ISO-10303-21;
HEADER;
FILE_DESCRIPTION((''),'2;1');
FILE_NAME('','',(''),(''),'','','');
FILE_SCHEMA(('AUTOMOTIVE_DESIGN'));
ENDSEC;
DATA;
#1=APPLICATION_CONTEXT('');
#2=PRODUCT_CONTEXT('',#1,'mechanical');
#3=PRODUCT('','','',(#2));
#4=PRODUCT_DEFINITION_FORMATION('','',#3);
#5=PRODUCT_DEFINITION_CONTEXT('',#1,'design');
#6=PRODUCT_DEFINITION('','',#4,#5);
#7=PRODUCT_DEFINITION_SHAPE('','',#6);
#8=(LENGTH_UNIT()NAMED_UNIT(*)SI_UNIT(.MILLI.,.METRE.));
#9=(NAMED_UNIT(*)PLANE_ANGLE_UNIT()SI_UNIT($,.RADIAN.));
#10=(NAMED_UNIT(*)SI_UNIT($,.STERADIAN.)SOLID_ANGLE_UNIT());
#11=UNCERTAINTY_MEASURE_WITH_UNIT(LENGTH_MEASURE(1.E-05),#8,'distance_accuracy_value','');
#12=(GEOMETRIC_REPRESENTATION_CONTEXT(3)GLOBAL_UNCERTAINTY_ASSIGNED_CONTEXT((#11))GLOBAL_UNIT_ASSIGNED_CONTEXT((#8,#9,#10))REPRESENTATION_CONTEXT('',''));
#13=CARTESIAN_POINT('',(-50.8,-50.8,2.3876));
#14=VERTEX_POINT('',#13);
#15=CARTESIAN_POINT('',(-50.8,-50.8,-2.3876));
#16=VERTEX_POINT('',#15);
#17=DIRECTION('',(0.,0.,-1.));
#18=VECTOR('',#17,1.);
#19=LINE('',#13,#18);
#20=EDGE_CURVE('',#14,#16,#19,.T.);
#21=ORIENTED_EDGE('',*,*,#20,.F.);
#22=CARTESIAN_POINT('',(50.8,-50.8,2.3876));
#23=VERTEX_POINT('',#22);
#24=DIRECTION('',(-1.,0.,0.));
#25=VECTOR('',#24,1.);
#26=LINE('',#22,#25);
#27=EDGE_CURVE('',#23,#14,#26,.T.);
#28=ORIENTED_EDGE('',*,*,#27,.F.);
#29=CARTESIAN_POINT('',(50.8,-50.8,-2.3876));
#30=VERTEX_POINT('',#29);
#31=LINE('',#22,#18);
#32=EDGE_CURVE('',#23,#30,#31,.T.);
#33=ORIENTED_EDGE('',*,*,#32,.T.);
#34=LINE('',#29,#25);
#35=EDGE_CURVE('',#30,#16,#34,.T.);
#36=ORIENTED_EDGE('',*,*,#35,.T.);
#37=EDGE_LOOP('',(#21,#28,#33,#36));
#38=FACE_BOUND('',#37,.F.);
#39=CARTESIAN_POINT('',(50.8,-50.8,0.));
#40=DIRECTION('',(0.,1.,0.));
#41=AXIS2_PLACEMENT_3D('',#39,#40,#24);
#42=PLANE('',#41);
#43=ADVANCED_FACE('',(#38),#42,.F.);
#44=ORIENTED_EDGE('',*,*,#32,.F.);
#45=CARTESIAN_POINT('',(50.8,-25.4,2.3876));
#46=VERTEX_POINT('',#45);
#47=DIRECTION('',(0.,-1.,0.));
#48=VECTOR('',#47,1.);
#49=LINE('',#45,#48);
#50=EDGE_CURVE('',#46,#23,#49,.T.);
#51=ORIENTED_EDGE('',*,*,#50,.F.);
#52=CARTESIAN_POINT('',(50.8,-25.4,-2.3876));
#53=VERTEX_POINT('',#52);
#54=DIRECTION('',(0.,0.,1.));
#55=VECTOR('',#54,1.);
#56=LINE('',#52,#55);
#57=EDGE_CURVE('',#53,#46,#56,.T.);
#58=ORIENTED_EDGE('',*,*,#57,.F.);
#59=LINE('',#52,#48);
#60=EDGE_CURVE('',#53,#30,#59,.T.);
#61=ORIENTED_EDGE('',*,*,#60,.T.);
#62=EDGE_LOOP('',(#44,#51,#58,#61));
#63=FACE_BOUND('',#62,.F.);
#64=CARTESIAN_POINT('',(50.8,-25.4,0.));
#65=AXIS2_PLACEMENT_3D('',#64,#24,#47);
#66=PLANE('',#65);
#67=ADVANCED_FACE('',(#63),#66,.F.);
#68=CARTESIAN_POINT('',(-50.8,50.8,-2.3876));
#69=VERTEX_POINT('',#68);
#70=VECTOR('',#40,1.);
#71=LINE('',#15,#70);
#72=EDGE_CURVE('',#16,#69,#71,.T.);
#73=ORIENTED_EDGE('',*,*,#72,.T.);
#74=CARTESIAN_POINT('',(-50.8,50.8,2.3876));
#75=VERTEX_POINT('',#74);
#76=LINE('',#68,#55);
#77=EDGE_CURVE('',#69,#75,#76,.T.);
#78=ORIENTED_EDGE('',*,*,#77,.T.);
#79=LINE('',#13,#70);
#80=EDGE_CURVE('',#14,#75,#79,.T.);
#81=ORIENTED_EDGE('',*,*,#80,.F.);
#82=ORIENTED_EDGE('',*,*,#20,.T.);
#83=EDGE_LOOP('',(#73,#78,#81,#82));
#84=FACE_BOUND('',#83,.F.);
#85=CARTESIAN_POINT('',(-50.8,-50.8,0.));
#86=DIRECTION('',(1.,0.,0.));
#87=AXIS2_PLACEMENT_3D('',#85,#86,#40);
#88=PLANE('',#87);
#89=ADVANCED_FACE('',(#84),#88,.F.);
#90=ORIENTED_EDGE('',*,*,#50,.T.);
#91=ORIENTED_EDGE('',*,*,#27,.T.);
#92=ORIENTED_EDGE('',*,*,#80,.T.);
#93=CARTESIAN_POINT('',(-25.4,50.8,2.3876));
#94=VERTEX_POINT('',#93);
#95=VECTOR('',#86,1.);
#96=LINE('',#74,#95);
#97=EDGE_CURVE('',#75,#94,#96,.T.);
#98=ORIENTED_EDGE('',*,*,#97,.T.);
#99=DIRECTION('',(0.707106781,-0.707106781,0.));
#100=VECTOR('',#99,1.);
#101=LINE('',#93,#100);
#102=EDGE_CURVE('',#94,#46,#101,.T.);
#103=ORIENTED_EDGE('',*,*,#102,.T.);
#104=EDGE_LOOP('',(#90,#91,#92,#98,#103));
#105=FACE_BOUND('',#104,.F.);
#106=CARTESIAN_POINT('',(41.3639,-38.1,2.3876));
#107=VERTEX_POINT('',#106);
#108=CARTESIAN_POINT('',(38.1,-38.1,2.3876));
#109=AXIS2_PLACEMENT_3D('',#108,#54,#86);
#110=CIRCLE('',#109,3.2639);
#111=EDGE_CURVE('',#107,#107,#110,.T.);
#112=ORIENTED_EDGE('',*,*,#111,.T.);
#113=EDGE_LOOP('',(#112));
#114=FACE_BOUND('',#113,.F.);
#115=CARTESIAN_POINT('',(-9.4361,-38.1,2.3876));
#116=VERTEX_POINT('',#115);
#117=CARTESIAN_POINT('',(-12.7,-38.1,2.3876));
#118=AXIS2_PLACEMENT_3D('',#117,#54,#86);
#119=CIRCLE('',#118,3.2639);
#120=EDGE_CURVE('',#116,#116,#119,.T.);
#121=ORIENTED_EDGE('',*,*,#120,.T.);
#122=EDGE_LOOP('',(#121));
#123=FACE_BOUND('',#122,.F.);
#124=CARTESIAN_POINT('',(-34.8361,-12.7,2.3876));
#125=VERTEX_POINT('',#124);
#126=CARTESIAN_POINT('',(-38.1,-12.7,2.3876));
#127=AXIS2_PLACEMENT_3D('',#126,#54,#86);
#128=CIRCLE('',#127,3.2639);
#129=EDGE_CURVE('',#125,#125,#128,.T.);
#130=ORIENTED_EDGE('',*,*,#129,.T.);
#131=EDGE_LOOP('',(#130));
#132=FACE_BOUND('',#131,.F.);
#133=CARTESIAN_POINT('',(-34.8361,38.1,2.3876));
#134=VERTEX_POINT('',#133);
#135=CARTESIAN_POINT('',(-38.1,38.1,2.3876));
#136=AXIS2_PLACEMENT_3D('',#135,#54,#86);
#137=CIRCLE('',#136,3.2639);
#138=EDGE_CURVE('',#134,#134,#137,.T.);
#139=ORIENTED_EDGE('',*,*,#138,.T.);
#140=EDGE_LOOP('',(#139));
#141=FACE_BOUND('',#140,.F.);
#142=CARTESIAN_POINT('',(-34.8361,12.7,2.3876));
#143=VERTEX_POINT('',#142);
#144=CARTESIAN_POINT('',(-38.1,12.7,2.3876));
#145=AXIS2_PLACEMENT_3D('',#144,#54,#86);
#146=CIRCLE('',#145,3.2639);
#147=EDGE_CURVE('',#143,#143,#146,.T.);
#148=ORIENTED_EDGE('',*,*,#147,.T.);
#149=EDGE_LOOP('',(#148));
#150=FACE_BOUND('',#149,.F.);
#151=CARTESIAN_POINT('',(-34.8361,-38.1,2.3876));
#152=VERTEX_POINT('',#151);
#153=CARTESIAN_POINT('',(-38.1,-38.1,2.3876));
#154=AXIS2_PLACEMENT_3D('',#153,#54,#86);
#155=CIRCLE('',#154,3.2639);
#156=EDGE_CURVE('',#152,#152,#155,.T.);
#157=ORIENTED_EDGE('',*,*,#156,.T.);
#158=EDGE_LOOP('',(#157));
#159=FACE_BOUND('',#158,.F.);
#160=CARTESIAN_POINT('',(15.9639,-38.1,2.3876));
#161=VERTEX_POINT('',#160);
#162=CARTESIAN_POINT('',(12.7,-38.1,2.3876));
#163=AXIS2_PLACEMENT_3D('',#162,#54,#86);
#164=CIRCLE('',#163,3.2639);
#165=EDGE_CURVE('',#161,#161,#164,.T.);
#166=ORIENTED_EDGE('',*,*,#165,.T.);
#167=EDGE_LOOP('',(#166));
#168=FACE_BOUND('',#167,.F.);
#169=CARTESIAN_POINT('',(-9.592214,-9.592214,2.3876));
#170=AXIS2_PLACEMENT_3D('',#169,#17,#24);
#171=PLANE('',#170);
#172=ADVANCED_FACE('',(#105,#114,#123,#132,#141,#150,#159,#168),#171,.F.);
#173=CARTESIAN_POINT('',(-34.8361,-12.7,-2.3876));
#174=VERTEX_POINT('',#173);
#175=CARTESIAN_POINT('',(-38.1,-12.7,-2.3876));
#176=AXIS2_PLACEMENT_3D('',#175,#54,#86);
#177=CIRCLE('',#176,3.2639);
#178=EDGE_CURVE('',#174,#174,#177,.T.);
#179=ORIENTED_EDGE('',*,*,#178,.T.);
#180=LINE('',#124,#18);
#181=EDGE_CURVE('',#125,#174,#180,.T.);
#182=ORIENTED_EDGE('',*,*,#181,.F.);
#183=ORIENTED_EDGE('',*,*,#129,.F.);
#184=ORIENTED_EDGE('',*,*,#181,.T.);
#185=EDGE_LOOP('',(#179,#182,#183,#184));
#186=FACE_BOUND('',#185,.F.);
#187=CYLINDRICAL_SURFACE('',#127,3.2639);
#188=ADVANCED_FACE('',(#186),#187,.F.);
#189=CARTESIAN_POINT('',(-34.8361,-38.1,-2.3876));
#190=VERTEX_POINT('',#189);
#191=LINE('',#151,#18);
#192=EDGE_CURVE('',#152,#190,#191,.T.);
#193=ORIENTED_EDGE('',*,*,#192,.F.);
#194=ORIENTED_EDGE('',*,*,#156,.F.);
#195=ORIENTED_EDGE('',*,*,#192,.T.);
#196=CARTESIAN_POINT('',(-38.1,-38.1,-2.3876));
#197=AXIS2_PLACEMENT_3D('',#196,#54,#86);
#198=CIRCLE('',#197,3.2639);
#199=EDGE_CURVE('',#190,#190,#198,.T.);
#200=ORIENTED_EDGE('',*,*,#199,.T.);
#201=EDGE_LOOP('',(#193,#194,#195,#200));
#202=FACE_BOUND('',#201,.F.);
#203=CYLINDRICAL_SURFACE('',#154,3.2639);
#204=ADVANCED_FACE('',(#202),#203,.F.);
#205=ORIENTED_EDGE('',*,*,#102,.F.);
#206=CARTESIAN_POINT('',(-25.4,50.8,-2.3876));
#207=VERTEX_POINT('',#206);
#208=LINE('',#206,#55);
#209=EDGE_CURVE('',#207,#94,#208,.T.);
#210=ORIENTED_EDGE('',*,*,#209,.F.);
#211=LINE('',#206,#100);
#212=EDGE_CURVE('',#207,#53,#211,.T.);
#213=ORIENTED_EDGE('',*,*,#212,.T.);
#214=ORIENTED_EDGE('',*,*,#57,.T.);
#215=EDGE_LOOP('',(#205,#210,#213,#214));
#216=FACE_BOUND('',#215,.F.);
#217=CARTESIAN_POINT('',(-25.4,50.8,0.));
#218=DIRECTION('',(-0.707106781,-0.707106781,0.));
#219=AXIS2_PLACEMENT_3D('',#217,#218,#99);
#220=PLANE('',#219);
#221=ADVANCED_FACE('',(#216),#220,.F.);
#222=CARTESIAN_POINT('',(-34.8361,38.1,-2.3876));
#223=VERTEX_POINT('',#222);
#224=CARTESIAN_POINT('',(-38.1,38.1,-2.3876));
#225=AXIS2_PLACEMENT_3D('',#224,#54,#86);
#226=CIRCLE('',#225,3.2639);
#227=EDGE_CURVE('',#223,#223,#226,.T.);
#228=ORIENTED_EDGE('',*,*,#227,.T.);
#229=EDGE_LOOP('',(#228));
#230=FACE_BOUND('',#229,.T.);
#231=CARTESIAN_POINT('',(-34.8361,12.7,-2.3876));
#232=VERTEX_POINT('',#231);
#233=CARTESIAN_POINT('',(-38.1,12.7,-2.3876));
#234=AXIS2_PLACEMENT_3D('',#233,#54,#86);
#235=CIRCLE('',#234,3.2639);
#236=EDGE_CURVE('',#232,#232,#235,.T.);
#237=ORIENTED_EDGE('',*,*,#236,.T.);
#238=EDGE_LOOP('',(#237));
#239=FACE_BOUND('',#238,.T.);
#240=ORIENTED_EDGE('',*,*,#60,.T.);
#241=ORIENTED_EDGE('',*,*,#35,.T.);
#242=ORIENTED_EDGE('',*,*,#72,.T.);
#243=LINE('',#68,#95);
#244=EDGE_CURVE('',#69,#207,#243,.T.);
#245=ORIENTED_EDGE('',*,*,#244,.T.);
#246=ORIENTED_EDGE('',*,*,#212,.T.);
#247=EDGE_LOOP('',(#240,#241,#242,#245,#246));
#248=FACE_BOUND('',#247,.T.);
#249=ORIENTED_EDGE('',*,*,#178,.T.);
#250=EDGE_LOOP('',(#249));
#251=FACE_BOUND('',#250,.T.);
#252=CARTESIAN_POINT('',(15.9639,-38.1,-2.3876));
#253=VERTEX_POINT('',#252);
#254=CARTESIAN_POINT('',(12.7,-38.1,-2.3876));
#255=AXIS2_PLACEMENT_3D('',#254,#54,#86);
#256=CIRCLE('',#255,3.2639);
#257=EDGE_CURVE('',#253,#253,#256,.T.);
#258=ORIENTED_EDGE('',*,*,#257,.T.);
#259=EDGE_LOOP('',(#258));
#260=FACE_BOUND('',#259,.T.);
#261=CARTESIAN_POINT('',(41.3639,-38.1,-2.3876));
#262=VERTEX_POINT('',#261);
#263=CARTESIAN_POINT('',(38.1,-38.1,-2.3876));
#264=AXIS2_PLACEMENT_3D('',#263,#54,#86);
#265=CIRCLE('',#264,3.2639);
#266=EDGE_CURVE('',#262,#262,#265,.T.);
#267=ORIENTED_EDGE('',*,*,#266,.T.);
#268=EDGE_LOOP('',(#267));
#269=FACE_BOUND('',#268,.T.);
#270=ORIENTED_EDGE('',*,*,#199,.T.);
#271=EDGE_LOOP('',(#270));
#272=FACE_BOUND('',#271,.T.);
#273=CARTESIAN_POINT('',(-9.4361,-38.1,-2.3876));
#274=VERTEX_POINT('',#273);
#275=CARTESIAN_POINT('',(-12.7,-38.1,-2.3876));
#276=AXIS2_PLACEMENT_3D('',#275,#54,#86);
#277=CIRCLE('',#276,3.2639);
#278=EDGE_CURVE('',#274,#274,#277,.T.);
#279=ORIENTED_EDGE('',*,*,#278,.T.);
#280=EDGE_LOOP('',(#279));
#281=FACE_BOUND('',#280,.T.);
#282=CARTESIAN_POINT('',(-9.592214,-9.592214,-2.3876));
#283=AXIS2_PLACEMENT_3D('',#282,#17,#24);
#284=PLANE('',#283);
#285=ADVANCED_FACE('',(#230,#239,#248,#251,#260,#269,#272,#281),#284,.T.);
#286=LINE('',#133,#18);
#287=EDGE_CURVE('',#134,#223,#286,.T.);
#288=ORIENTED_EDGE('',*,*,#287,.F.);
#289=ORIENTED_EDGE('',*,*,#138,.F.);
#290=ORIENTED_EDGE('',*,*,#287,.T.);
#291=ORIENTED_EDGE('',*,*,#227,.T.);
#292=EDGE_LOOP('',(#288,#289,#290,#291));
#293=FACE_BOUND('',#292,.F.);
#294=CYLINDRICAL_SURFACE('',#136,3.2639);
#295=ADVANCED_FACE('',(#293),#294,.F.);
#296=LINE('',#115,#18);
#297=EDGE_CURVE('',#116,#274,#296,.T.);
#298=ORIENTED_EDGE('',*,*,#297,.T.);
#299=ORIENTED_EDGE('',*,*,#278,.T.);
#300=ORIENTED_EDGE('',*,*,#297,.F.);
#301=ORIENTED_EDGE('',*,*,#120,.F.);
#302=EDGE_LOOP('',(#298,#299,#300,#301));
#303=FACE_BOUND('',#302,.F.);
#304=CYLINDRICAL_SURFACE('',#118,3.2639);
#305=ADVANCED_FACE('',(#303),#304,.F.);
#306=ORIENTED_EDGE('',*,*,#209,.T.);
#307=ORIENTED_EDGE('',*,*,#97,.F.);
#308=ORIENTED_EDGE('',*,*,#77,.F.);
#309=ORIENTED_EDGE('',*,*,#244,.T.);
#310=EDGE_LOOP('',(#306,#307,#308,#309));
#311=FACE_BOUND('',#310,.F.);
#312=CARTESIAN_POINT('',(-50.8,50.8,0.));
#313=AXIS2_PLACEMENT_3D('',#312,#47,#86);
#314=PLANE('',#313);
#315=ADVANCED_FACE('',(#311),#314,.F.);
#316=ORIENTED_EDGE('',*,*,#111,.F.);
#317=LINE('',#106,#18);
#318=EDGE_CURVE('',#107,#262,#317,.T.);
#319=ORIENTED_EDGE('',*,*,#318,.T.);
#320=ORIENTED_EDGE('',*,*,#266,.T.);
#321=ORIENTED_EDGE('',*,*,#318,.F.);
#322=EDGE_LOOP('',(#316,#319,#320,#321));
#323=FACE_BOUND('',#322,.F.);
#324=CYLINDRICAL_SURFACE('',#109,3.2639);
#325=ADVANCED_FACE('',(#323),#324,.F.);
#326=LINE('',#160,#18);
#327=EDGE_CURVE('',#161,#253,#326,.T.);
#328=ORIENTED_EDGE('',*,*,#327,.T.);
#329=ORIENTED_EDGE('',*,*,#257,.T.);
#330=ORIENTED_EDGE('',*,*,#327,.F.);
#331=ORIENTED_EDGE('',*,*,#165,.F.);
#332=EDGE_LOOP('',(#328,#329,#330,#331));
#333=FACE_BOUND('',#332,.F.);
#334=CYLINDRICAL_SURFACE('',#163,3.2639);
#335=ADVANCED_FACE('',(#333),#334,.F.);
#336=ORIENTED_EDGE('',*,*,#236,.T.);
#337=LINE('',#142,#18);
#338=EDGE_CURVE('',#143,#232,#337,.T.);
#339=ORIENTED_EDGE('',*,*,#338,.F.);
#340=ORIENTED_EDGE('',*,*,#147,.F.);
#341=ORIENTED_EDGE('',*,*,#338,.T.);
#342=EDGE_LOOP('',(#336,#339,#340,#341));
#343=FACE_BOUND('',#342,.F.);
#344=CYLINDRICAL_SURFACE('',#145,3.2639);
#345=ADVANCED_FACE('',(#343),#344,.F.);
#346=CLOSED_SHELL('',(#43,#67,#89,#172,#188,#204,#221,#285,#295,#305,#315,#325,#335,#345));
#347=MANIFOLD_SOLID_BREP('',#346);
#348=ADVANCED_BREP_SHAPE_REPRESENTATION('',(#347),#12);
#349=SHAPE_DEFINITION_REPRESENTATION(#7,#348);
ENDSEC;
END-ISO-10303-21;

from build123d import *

# Parameters (mm, degrees)
BOSS_EXTRUDE1_DEPTH      = 2.3876
BOSS_EXTRUDE1_DEPTH_BACK = 2.3876
SKETCH4_R                = 3.2639
CUT_EXTRUDE1_DEPTH       = 5.7752


with BuildPart() as part:
    # Sketch3 → Boss-Extrude1 (new body, two sides)
    with BuildSketch(Plane.XY) as boss_extrude1_sk:
        Polygon((50.8, -25.4), (50.8, -50.8), (-50.8, -50.8), (-50.8, 50.8), (-25.4, 50.8), align=None)
    extrude(amount=BOSS_EXTRUDE1_DEPTH)
    extrude(boss_extrude1_sk.sketch, amount=-BOSS_EXTRUDE1_DEPTH_BACK)

    # Sketch4 → Cut-Extrude1 (cut, through all)
    with BuildSketch(Plane.XY.offset(2.3876)):
        with Locations((-38.1, -38.1)):
            Circle(SKETCH4_R)
        with Locations((-12.7, -38.1)):
            Circle(SKETCH4_R)
        with Locations((12.7, -38.1)):
            Circle(SKETCH4_R)
        with Locations((-38.1, -12.7)):
            Circle(SKETCH4_R)
        with Locations((-38.1, 12.7)):
            Circle(SKETCH4_R)
        with Locations((38.1, -38.1)):
            Circle(SKETCH4_R)
        with Locations((-38.1, 38.1)):
            Circle(SKETCH4_R)
    extrude(amount=-CUT_EXTRUDE1_DEPTH, mode=Mode.SUBTRACT)


solid = part.part
